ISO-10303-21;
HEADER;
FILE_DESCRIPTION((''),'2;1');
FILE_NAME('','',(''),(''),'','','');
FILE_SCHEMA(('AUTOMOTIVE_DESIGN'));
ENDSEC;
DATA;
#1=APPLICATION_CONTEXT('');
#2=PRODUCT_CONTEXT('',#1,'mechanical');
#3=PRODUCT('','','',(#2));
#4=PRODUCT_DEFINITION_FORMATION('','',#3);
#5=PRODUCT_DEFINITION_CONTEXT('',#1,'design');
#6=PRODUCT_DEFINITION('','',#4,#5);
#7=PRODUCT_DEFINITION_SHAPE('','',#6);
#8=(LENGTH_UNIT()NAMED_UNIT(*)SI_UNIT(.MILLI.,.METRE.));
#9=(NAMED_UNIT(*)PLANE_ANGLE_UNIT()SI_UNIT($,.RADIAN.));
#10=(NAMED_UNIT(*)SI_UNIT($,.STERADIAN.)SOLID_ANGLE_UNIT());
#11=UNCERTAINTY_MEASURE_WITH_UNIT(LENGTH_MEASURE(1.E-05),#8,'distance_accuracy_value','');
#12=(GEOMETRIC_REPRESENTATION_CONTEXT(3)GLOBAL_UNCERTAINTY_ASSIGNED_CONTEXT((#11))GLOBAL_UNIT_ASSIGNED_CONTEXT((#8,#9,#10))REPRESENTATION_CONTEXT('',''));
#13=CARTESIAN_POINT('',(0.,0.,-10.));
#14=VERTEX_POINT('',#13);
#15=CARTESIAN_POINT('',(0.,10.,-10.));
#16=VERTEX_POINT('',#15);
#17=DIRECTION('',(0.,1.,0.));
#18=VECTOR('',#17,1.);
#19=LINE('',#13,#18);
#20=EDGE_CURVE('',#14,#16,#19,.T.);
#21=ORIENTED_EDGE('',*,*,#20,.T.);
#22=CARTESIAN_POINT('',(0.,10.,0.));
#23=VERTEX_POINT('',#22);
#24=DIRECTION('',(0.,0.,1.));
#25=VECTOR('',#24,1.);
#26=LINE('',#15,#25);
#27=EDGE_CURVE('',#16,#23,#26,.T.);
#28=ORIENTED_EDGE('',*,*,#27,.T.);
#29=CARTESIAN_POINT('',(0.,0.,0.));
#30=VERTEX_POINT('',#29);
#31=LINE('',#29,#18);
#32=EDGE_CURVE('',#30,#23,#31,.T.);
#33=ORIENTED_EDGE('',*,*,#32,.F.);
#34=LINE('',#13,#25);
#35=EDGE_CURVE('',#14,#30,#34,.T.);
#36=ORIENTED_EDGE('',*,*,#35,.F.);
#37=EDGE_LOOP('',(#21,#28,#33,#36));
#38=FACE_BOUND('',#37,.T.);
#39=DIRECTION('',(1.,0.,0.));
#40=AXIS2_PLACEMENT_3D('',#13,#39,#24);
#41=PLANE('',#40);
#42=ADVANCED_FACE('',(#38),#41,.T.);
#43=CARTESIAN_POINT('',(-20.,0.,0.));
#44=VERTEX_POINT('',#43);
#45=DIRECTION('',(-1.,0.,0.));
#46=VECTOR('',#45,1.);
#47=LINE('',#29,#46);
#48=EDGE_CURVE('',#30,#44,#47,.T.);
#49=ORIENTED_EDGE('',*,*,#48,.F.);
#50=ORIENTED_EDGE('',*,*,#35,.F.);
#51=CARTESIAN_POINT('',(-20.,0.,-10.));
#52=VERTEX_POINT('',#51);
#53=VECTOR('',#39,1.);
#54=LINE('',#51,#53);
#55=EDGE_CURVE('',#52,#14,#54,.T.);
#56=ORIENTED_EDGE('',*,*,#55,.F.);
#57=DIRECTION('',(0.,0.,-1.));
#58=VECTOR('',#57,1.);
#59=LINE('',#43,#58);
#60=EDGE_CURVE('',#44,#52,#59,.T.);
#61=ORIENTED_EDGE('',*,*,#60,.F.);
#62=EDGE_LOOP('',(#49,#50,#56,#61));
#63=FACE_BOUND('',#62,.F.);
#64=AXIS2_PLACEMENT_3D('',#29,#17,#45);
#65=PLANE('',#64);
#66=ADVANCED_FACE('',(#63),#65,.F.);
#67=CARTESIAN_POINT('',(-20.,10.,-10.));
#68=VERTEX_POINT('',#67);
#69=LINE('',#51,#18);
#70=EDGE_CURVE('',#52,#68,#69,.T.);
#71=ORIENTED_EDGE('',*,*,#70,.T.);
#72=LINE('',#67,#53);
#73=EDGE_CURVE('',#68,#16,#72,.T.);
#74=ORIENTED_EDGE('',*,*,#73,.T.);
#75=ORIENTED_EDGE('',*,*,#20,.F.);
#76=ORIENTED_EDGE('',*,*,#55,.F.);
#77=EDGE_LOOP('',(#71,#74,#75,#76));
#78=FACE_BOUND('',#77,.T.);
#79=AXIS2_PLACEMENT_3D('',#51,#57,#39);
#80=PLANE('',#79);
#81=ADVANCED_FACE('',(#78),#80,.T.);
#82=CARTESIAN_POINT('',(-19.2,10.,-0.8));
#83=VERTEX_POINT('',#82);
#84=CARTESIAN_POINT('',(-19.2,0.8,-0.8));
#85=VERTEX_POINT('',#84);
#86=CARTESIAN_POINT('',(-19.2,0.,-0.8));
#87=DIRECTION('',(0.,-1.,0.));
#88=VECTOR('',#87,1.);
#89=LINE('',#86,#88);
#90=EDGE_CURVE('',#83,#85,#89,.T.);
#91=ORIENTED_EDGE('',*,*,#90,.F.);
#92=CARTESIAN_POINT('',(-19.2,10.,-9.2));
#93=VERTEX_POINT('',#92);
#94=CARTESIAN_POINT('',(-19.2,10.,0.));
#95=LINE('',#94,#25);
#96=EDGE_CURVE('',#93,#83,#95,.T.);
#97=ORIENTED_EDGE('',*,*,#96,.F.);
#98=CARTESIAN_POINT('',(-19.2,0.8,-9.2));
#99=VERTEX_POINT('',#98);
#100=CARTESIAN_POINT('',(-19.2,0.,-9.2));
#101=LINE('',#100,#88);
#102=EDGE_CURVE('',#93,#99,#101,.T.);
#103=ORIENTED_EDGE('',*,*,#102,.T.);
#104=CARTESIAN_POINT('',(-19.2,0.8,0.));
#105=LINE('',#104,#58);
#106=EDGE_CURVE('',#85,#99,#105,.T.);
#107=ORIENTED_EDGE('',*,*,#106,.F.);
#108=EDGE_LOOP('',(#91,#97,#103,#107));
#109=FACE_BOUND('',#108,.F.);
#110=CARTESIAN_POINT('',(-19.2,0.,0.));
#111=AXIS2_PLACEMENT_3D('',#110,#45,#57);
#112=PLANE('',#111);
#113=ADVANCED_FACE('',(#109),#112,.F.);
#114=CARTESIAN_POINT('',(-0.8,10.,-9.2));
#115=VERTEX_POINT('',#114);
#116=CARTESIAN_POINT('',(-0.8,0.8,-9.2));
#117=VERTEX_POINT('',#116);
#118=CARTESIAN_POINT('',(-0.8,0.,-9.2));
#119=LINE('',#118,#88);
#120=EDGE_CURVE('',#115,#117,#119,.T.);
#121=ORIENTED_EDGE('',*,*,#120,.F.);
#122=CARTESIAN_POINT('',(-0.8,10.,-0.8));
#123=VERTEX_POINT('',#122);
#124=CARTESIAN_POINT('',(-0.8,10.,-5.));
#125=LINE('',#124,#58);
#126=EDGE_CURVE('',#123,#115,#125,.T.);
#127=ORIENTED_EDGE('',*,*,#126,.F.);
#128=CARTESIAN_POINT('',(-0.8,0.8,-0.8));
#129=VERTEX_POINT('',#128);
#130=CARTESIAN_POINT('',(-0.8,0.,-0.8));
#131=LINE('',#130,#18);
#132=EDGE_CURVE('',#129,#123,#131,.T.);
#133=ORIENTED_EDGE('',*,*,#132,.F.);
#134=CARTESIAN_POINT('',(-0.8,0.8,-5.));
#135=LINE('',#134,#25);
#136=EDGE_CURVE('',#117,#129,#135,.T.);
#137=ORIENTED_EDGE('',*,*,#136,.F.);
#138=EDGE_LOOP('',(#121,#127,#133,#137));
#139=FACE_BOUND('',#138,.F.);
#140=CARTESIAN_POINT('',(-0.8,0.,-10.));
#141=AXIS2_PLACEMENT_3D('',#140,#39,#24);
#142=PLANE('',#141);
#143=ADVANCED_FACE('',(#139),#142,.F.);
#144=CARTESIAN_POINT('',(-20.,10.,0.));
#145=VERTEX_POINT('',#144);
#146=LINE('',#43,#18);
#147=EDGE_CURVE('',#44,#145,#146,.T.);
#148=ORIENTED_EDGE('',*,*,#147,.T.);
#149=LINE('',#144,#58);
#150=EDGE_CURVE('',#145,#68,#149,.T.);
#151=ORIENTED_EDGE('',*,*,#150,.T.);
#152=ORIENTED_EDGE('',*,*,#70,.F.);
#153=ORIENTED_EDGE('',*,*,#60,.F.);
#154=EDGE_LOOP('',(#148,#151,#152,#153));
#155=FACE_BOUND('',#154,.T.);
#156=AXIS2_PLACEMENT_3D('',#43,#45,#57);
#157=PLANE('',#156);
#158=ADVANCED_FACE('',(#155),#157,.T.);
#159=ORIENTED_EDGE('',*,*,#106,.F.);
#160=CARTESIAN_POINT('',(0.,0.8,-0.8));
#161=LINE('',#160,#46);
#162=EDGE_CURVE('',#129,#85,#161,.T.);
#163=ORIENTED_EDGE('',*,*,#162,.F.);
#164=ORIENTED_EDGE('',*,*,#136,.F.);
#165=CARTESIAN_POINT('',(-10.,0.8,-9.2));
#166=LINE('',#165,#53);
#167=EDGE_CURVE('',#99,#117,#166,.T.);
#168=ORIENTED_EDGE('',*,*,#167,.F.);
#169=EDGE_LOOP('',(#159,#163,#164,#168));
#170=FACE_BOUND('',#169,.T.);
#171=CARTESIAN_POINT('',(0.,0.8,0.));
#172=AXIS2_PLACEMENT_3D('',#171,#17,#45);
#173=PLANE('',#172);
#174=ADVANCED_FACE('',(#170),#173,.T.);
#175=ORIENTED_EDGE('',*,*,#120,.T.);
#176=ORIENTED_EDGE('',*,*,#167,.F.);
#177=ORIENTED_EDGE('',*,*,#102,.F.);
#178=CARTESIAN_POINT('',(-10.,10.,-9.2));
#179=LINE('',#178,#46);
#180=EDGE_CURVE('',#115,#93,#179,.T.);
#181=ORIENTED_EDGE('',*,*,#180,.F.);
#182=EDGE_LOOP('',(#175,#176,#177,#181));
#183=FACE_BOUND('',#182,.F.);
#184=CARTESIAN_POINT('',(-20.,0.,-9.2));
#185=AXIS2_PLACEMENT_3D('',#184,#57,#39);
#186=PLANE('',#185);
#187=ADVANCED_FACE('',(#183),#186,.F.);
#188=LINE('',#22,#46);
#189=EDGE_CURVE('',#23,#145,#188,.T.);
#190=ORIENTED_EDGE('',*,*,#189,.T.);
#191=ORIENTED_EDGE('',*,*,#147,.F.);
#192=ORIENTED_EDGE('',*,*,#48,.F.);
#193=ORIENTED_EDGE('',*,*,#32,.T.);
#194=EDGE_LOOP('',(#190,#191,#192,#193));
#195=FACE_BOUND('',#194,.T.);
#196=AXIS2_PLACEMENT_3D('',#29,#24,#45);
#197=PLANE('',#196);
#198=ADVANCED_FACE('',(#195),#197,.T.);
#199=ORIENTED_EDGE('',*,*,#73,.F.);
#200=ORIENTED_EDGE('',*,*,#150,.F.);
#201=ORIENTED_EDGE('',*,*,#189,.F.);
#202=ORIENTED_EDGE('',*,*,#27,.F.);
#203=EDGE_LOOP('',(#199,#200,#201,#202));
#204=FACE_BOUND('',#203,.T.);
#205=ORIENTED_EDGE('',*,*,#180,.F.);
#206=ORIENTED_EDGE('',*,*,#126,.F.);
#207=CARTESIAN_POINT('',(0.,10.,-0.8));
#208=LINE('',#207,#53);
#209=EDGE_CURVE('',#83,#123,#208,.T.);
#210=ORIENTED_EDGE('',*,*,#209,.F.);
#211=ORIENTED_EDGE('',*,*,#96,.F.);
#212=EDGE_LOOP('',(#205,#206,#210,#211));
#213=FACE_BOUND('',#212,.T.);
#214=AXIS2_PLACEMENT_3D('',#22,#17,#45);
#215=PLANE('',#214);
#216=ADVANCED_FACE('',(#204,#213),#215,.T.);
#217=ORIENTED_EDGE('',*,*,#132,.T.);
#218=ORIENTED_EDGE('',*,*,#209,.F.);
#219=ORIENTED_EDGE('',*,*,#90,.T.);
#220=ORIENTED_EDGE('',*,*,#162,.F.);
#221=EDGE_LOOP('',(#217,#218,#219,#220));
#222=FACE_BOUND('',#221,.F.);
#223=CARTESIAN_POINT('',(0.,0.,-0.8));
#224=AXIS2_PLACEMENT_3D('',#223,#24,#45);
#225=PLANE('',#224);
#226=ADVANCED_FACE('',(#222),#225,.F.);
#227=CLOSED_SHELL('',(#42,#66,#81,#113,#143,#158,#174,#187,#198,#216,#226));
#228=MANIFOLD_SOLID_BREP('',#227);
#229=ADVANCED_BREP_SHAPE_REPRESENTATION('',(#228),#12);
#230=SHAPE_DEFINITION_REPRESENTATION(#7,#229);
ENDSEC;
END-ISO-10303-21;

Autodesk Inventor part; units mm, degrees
ref_plane "YZ Plane" through (0, 0, 0) normal (1, 0, 0) x (0, 1, 0)
ref_plane "XZ Plane" through (0, 0, 0) normal (0, 1, 0) x (-1, 0, 0)
ref_plane "XY Plane" through (0, 0, 0) normal (0, 0, 1) x (1, 0, 0)
sketch "Sketch1" plane through (0, 0, 0) normal (0, 1, 0) x (-1, 0, 0)
  line L0 (0, 0) -> (20, 0)
  line L1 (20, 0) -> (20, -10)
  line L2 (20, -10) -> (0, -10)
  line L3 (0, -10) -> (0, 0)
  dimension "d0" = 20
  dimension "d1" = 10
extrude "Extrusion1" add sketch "Sketch1" along normal blind 10
shell "Shell1" thickness 0.8 removed faces 1 at (-13.3333, 10, -6.6667)
properties part number "rectangulo_calibracion"
